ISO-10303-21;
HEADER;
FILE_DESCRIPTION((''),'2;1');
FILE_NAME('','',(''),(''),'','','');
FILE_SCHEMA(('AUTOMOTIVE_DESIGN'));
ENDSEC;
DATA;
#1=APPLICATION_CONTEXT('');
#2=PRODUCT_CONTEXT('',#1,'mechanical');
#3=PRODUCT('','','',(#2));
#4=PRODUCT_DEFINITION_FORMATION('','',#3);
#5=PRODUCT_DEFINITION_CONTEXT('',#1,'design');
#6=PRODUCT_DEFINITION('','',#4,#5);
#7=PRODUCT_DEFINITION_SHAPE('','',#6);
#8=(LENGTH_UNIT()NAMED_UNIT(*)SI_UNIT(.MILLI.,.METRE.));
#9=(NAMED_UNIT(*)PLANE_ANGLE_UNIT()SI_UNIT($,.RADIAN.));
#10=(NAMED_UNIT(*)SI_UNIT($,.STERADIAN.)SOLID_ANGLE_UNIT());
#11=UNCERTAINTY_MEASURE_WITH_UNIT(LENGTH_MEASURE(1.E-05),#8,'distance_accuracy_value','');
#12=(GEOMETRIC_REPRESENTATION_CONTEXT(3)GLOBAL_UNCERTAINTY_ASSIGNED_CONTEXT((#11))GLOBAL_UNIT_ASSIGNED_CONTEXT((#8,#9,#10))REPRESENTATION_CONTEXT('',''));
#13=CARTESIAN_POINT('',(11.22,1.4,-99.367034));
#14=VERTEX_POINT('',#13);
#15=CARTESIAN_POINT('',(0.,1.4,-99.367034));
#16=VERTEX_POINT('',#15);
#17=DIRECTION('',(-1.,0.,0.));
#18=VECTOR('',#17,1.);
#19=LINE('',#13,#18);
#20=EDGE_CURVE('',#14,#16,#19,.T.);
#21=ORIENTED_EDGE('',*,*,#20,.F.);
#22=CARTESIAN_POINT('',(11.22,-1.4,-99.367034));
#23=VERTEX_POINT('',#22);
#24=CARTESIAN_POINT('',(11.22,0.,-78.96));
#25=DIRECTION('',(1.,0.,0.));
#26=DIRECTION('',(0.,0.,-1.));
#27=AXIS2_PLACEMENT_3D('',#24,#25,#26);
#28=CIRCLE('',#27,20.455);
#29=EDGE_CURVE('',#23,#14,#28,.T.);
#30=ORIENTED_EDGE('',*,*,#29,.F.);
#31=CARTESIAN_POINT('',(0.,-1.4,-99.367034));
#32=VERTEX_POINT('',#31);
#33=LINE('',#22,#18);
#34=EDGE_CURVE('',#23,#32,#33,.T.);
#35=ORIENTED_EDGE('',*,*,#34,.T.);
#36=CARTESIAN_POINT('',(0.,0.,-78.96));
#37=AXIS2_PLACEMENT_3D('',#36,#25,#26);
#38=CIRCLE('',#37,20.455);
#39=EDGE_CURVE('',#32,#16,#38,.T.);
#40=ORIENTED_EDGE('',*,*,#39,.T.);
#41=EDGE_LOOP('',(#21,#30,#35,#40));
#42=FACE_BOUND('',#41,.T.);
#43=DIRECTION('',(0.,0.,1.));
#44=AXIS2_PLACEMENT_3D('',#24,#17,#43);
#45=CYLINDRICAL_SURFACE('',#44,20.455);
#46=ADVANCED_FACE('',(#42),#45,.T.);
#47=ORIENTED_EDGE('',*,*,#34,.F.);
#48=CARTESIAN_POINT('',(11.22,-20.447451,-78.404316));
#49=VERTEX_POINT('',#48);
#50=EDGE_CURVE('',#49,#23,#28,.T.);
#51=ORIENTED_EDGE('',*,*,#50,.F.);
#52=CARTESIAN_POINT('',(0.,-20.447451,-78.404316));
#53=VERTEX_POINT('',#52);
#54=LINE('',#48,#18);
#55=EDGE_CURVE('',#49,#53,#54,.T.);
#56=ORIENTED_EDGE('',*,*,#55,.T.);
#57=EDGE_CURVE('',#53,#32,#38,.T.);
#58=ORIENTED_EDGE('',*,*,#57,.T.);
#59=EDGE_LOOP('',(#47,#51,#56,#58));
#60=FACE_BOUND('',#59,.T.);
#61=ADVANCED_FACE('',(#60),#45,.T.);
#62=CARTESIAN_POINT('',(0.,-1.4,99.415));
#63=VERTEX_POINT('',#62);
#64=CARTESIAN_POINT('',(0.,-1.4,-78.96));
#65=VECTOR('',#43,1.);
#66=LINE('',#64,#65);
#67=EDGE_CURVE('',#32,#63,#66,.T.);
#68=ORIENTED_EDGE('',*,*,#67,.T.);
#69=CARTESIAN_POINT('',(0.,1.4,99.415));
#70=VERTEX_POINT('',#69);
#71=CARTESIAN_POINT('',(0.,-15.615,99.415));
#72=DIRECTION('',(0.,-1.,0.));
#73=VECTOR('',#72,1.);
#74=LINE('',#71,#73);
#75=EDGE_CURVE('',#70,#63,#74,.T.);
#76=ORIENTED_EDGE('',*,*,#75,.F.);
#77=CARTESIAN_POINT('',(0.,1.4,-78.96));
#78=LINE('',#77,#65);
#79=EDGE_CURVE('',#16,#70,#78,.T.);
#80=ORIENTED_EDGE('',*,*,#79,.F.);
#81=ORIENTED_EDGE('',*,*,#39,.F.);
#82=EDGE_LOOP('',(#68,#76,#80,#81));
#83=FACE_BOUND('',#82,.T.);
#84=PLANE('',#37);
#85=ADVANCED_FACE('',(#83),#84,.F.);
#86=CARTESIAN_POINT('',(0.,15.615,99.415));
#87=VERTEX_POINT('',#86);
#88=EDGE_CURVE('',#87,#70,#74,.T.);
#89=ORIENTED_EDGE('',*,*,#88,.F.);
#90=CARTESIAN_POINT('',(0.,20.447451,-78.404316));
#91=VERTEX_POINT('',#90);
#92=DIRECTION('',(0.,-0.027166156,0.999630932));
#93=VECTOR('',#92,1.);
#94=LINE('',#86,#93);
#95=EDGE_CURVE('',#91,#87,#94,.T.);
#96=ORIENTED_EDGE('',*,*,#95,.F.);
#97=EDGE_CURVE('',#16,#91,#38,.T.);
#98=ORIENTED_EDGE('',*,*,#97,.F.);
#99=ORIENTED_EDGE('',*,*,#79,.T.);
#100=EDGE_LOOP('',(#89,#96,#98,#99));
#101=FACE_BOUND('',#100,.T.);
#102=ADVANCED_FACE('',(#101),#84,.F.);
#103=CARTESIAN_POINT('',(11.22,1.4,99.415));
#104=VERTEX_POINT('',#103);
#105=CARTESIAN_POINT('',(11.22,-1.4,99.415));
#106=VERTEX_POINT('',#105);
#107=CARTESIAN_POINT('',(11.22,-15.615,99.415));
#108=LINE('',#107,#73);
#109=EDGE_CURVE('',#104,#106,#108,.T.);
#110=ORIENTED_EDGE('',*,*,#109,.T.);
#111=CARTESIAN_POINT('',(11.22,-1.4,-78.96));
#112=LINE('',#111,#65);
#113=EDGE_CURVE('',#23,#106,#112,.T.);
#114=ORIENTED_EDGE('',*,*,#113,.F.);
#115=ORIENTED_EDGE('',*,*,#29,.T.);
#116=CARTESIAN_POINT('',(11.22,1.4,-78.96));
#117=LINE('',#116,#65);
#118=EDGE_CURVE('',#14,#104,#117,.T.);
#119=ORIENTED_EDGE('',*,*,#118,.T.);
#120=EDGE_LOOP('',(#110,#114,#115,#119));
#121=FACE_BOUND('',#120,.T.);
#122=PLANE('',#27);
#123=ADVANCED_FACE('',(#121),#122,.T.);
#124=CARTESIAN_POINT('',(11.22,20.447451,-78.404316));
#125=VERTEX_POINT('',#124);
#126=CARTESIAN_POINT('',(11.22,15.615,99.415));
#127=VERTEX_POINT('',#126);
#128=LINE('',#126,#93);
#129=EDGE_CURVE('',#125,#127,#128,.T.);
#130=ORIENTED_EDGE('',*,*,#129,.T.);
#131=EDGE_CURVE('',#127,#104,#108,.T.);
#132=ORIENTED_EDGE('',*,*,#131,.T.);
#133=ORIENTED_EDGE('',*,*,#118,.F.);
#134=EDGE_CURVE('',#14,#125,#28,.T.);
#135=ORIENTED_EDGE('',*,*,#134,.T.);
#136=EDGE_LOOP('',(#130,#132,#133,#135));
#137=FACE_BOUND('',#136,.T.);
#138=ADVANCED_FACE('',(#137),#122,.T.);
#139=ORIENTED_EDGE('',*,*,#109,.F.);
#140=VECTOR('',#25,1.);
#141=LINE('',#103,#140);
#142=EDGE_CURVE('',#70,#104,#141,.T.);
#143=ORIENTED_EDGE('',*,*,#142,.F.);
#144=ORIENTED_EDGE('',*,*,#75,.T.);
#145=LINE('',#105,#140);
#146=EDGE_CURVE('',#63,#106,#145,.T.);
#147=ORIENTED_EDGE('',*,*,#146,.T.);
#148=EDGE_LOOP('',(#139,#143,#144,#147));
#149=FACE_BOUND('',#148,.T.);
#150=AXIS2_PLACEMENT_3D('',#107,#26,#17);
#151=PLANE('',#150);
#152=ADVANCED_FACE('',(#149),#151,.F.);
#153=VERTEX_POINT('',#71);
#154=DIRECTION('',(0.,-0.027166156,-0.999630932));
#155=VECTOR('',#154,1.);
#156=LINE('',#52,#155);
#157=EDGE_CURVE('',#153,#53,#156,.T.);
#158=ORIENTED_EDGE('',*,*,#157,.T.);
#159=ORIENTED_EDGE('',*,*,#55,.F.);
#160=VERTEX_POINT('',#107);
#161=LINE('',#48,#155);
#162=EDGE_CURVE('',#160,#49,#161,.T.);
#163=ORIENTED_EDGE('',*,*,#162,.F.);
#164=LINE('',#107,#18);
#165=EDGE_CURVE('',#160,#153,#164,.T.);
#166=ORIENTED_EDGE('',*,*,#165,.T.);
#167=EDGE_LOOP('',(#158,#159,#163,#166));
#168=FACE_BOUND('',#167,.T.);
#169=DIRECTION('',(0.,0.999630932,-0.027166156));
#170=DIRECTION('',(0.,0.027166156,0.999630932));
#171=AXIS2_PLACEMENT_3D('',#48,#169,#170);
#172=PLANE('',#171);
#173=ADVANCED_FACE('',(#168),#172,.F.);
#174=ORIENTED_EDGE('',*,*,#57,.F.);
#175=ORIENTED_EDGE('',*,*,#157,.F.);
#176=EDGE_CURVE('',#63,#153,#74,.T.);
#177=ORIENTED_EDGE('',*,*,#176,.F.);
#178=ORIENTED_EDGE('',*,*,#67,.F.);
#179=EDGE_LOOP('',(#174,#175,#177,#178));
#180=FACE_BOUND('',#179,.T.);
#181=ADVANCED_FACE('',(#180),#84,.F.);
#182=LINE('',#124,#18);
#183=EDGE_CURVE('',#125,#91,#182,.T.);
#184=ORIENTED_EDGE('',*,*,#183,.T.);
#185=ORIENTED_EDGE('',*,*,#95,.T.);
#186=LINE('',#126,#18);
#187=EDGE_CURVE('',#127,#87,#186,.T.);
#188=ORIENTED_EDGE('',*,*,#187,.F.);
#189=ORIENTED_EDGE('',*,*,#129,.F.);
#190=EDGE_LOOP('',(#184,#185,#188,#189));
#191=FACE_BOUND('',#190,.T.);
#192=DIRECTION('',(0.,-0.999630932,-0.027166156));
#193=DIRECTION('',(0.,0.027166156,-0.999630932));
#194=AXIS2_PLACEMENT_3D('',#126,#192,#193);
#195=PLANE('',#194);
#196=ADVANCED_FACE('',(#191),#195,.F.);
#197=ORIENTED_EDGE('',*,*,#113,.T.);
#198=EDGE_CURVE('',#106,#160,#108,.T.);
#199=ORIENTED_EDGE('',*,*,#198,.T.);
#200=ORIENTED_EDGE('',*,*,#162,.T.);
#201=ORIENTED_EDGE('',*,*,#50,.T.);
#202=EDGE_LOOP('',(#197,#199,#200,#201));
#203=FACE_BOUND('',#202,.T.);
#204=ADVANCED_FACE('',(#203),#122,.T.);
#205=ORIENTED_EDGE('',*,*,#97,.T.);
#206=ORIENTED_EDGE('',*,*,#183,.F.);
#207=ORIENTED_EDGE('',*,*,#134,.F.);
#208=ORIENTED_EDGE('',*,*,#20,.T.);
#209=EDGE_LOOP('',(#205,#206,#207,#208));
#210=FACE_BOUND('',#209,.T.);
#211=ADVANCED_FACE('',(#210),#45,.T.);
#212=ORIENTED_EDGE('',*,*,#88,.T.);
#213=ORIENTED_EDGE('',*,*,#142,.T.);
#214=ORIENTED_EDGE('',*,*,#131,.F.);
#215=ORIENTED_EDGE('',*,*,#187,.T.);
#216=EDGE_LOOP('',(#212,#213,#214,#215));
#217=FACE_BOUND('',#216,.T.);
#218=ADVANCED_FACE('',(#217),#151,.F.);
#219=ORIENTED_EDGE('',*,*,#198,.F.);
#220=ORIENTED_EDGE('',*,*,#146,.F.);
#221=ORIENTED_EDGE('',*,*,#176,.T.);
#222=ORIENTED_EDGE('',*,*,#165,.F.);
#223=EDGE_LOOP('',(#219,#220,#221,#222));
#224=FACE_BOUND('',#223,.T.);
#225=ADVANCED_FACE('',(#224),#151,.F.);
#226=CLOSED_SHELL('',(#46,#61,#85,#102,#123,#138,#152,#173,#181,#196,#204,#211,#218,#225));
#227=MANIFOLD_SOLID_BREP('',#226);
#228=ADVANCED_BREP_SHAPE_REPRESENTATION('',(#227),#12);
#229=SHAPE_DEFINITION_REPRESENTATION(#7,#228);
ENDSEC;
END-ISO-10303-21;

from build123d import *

# Parameters (mm, degrees)
SALIENTE_EXTRUIR2_DEPTH = 11.22


with BuildPart() as part:
    # Croquis5 → Saliente-Extruir2 (new body)
    with BuildSketch(Plane.YZ):
        with BuildLine():
            Line((-15.615, 99.415), (15.615, 99.415))
            Line((15.615, 99.415), (20.447450712, -78.404316288))
            ThreePointArc((20.447450712, -78.404316288), (0, -99.415), (-20.447450712, -78.404316288))
            Line((-20.447450712, -78.404316288), (-15.615, 99.415))
        make_face()
    extrude(amount=SALIENTE_EXTRUIR2_DEPTH)


solid = part.part
